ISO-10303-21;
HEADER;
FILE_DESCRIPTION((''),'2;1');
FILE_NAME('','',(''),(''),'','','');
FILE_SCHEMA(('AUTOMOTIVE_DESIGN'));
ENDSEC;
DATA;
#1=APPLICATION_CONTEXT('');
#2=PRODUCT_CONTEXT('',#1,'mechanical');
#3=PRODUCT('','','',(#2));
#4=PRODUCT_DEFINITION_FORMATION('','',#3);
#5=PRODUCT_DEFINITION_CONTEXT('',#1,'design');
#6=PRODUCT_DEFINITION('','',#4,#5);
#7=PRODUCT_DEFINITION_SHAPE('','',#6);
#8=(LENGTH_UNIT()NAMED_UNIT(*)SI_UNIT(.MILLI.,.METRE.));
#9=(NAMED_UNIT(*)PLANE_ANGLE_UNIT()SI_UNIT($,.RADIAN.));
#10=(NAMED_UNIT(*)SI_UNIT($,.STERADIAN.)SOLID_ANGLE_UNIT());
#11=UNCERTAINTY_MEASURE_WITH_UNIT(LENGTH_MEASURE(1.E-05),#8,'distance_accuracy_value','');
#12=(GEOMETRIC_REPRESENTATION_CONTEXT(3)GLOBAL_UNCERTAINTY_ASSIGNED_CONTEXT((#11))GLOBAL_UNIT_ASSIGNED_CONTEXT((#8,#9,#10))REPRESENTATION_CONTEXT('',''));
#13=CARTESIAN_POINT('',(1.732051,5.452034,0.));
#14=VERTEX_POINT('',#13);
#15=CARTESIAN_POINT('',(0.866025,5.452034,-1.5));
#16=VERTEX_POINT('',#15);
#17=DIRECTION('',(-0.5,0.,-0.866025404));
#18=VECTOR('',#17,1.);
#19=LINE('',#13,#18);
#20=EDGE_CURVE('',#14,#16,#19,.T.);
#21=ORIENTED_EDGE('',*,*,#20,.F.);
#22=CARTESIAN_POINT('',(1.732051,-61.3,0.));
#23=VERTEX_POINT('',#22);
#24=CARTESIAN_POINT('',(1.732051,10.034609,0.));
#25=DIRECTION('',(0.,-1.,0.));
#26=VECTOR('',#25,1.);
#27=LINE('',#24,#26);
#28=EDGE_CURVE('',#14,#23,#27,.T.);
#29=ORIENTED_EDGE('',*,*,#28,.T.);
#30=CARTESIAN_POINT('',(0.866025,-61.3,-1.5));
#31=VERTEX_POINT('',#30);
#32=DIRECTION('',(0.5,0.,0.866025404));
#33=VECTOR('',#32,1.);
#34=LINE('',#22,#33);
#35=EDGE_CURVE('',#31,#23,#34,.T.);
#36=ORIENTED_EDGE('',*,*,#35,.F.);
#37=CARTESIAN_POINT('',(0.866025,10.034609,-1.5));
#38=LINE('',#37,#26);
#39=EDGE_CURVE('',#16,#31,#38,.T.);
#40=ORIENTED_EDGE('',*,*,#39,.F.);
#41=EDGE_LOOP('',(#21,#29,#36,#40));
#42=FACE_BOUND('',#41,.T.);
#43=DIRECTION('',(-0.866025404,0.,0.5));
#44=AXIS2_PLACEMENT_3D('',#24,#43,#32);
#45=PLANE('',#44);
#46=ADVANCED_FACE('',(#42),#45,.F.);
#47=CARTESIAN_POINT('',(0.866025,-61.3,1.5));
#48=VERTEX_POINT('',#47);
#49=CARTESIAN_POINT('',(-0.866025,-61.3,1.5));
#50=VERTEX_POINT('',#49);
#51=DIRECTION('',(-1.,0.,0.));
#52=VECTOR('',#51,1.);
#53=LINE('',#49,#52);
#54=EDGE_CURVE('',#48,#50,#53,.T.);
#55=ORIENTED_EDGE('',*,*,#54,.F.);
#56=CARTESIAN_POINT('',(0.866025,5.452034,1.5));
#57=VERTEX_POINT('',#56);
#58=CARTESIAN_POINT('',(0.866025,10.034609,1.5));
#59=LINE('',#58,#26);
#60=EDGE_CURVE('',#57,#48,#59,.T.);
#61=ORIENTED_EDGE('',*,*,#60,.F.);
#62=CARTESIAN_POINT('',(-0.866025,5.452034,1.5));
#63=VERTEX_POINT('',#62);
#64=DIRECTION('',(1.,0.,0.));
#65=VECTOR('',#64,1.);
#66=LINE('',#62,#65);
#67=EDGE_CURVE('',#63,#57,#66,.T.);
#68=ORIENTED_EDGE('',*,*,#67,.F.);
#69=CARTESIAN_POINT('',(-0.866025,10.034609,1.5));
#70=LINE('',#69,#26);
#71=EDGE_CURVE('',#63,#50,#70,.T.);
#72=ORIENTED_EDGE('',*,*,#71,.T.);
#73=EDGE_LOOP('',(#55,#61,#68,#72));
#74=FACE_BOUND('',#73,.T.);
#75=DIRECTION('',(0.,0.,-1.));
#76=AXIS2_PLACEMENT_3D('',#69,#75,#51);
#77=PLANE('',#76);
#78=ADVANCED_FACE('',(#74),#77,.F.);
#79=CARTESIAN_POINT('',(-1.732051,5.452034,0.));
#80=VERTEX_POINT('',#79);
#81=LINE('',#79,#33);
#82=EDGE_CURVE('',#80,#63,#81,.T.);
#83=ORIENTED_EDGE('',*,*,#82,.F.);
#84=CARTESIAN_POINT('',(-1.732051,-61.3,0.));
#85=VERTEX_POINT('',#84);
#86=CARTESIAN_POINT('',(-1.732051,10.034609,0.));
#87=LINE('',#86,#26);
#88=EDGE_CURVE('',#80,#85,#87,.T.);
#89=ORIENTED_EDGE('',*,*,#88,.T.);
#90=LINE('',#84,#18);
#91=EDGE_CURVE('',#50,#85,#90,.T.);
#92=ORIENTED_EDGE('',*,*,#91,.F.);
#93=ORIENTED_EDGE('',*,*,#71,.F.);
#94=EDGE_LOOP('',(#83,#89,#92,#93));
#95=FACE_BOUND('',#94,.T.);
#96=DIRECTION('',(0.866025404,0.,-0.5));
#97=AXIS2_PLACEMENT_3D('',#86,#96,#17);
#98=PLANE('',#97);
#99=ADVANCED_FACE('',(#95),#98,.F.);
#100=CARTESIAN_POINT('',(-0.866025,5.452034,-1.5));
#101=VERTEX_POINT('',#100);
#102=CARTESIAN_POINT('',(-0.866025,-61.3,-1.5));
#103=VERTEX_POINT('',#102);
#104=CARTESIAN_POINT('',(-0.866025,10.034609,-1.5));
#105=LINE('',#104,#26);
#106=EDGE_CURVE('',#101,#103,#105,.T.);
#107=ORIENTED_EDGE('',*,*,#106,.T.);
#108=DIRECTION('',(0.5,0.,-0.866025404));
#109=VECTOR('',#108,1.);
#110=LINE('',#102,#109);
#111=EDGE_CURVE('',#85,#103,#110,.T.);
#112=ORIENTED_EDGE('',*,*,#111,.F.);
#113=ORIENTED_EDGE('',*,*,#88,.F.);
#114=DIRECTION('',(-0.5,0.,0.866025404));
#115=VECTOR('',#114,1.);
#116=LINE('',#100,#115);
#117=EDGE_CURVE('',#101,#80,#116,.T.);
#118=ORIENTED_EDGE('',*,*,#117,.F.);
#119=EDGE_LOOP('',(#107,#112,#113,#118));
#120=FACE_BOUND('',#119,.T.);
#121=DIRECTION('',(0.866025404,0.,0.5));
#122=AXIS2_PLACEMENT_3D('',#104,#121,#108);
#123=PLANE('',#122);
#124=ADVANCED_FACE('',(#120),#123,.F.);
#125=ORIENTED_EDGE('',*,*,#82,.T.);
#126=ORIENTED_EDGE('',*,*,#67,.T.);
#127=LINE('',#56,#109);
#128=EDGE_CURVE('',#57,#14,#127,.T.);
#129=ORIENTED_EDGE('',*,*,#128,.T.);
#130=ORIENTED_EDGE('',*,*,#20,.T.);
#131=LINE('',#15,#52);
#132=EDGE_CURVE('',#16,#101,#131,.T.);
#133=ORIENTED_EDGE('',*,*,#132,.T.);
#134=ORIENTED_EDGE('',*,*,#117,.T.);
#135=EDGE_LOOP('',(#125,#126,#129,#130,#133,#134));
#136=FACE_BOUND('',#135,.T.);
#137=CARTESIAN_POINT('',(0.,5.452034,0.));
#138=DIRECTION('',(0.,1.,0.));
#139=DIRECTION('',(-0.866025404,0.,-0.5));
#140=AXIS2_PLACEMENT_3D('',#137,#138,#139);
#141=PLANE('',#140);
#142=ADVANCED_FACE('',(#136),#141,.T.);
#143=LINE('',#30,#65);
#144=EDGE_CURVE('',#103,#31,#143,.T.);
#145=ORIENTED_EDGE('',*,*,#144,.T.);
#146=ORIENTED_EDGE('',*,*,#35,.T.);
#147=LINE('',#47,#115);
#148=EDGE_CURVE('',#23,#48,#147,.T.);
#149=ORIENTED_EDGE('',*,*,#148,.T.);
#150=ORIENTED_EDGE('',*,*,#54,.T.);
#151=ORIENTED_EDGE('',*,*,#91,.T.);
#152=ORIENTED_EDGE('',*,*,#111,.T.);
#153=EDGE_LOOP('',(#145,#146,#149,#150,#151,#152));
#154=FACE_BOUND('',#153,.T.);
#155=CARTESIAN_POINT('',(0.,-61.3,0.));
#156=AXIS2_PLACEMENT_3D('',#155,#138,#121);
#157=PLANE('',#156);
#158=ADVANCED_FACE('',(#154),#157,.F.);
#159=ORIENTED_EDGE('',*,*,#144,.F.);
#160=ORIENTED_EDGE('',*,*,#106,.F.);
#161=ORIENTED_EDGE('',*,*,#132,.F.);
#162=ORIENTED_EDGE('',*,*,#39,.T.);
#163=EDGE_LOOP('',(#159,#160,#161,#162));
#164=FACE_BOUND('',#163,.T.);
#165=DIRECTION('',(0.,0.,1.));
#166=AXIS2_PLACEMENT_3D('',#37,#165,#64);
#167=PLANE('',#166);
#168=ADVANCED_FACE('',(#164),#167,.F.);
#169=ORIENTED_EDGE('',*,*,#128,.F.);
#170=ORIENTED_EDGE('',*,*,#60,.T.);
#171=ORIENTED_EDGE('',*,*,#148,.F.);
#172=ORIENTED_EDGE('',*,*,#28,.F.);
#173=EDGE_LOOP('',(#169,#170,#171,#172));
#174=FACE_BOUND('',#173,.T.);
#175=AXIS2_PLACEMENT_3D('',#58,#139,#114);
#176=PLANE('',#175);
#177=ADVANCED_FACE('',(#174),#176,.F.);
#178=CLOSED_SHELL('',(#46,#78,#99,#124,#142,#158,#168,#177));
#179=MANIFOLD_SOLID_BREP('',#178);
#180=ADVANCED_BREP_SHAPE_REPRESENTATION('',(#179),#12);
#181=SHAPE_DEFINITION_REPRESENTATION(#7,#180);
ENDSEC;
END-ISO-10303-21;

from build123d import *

# Parameters (mm, degrees)
BOSS_EXTRUDE1_DEPTH      = 5.452034
BOSS_EXTRUDE1_DEPTH_BACK = 61.3


with BuildPart() as part:
    # Sketch1 → Boss-Extrude1 (new, two sides: drawn at the far end of the back side and taken through both)
    with BuildSketch(Plane(origin=(0, 0, 0), x_dir=(1, 0, 0), z_dir=(0, 1, 0)).offset(-BOSS_EXTRUDE1_DEPTH_BACK)):
        Polygon((1.732050808, 0), (0.866025404, 1.5), (-0.866025404, 1.5), (-1.732050808, 0), (-0.866025404, -1.5), (0.866025404, -1.5), align=None)
    extrude(amount=BOSS_EXTRUDE1_DEPTH + BOSS_EXTRUDE1_DEPTH_BACK)


solid = part.part
